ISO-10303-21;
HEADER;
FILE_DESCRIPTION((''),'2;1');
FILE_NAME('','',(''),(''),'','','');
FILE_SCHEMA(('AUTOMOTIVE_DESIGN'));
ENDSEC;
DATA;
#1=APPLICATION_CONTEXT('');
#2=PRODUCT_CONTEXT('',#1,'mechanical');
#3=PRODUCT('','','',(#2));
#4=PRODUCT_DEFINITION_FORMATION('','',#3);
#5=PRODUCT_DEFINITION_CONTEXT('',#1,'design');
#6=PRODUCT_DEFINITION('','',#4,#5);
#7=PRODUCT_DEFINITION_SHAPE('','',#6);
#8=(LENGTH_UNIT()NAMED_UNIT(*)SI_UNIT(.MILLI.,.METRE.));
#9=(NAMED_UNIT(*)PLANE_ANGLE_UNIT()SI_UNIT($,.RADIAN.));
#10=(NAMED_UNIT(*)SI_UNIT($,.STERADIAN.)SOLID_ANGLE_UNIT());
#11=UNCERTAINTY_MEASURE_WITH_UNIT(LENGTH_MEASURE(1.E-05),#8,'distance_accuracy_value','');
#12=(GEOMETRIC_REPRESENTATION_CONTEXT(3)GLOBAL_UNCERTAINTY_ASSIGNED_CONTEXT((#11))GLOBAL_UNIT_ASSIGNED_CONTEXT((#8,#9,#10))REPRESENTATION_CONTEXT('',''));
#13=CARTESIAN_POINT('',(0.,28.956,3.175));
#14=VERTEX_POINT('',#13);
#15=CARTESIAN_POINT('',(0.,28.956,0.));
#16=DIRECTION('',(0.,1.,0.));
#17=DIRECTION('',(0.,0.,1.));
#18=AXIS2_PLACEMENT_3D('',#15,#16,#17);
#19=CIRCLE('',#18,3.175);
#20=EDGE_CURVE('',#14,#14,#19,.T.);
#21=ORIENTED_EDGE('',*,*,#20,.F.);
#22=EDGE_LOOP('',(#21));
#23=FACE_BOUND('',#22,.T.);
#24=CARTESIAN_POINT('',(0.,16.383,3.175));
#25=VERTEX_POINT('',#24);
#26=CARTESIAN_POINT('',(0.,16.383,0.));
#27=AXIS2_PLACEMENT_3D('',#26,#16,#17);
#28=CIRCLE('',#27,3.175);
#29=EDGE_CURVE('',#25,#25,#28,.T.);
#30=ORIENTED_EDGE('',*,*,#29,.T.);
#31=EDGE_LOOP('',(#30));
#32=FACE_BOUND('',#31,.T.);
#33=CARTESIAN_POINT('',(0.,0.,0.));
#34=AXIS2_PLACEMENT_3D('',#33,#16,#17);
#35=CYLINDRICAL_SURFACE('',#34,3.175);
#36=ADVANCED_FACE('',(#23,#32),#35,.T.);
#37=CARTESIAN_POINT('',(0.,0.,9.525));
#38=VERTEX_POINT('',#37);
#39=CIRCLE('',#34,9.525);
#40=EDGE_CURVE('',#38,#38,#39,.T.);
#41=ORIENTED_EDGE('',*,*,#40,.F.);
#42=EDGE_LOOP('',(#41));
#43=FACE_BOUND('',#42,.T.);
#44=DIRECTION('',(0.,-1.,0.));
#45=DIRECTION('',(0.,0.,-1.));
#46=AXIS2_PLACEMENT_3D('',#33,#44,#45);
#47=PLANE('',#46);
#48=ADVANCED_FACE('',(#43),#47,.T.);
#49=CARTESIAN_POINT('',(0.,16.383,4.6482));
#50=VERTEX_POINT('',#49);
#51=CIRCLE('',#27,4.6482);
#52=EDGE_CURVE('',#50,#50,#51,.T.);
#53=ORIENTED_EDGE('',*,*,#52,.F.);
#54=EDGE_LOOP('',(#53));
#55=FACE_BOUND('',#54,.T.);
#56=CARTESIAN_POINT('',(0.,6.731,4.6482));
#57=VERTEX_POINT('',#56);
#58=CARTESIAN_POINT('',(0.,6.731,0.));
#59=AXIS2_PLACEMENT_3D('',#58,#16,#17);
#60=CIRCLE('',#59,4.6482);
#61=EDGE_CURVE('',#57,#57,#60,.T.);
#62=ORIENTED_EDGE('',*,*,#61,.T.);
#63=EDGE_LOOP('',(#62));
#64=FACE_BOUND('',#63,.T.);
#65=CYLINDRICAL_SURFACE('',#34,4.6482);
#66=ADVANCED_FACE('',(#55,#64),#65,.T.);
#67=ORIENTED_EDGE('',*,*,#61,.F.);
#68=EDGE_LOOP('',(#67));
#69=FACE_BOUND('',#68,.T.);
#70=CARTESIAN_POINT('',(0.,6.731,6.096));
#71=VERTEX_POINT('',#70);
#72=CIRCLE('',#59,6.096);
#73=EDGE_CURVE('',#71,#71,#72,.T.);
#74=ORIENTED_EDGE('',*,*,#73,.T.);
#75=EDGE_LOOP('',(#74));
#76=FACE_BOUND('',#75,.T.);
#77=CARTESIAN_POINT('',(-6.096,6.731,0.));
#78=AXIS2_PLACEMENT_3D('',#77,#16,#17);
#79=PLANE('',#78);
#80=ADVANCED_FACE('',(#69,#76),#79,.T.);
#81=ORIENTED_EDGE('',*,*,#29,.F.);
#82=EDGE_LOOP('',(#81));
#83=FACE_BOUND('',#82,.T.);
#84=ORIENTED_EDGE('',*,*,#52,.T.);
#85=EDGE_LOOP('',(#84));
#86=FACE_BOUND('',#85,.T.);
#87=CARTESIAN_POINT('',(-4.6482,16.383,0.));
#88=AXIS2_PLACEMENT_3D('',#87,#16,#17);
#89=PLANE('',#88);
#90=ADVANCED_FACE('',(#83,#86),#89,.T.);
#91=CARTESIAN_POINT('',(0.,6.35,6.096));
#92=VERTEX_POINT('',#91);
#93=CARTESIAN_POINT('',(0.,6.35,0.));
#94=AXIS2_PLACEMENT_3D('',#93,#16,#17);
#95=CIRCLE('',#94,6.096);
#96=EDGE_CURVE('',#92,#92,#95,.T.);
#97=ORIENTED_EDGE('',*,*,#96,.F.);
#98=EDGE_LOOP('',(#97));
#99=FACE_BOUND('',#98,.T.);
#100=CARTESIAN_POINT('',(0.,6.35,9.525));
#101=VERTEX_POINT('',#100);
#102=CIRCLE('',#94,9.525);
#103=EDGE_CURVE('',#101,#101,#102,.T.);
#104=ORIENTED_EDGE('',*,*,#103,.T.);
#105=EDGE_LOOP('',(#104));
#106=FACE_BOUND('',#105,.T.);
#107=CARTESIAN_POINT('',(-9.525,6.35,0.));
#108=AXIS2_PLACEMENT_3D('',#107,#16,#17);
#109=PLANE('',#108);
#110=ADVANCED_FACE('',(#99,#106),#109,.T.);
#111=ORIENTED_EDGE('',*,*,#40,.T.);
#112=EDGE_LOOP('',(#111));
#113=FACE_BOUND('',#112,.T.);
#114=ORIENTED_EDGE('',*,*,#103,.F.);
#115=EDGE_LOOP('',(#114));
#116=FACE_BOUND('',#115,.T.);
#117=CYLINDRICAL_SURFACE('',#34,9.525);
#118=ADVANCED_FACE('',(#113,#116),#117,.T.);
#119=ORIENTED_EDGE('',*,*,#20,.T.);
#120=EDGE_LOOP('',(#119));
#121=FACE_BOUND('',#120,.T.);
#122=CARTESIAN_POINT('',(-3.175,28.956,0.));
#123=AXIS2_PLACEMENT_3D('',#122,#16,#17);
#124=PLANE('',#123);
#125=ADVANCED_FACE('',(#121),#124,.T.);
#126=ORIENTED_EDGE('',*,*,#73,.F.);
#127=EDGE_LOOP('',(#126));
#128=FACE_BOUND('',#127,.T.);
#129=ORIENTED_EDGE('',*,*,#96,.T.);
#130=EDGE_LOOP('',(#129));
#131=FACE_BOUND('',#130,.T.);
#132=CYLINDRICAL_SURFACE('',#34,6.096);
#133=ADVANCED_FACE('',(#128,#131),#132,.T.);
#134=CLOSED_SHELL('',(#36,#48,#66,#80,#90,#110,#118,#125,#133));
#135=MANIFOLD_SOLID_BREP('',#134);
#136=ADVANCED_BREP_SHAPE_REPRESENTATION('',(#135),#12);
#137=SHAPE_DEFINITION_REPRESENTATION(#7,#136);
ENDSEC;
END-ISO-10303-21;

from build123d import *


with BuildPart() as part:
    # Sketch1 → Revolve1 (revolve)
    with BuildSketch(Plane.XY, mode=Mode.PRIVATE) as revolve1_sk:
        Polygon((0, 0), (-9.525, 0), (-9.525, 6.35), (-6.096, 6.35), (-6.096, 6.731), (-4.6482, 6.731), (-4.6482, 16.383), (-3.175, 16.383), (-3.175, 28.956), (0, 28.956), align=None)
    revolve(revolve1_sk.sketch.rotate(Axis((0, 0, 0), (0, -1, 0)), 270), axis=Axis((0, 0, 0), (0, -1, 0)))


solid = part.part
